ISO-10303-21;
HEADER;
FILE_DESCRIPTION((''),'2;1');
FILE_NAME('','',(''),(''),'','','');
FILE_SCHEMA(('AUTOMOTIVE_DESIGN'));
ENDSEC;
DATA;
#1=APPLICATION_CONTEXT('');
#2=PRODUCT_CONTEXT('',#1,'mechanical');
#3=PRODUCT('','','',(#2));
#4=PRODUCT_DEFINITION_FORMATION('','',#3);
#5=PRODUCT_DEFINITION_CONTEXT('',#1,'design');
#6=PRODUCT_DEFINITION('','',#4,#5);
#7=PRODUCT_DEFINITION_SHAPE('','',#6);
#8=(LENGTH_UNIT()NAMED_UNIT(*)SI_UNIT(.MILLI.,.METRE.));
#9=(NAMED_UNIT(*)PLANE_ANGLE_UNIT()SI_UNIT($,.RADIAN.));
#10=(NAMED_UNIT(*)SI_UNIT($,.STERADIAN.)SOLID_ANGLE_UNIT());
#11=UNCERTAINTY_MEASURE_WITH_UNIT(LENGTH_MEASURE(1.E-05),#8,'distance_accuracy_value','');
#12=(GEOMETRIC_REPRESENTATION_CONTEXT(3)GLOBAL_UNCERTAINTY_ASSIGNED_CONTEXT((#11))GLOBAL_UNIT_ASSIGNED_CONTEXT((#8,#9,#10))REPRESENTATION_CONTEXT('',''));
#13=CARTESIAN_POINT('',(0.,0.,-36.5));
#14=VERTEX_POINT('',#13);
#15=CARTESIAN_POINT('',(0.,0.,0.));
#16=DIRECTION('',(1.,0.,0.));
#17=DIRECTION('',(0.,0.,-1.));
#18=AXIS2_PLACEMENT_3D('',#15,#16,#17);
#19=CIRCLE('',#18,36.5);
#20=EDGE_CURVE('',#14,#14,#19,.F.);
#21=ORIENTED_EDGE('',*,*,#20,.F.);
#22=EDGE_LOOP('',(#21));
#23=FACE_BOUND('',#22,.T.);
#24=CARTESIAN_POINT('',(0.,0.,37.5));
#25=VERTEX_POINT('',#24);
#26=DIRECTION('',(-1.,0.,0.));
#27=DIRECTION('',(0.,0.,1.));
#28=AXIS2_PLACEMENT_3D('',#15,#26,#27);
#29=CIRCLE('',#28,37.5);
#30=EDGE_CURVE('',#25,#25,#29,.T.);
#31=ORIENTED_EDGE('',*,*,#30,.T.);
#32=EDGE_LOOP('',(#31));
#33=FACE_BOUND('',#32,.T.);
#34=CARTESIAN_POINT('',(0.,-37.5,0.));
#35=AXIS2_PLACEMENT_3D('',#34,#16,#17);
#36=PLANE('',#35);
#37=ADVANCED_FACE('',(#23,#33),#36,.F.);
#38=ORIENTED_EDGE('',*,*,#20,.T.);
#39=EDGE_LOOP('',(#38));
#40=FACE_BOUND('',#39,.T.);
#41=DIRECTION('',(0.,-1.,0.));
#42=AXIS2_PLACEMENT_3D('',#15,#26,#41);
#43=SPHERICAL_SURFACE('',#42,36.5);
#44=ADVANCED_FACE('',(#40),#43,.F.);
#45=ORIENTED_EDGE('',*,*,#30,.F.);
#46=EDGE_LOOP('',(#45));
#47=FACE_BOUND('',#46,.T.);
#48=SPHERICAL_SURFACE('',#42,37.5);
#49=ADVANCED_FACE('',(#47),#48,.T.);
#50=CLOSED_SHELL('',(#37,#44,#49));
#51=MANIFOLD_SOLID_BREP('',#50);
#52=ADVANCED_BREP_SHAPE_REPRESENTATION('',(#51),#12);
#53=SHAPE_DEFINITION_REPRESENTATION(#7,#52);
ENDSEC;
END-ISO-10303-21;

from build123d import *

# Parameters (mm, degrees)
SHELL1_T = -1


with BuildPart() as part:
    # Sketch28 → Revolve1 (revolve)
    with BuildSketch(Plane.XY):
        with BuildLine():
            Line((0, 0), (37.5, 0))
            ThreePointArc((37.5, 0), (26.516504294, -26.516504294), (0, -37.5))
            Line((0, -37.5), (0, 0))
        make_face()
    revolve(axis=Axis((0, 0, 0), (1, 0, 0)))

    # Shell1
    shell1_openings = [part.faces().sort_by_distance(p)[0] for p in [
        (0, 0, 0),
    ]]
    offset(amount=SHELL1_T, openings=shell1_openings, kind=Kind.INTERSECTION)


solid = part.part
